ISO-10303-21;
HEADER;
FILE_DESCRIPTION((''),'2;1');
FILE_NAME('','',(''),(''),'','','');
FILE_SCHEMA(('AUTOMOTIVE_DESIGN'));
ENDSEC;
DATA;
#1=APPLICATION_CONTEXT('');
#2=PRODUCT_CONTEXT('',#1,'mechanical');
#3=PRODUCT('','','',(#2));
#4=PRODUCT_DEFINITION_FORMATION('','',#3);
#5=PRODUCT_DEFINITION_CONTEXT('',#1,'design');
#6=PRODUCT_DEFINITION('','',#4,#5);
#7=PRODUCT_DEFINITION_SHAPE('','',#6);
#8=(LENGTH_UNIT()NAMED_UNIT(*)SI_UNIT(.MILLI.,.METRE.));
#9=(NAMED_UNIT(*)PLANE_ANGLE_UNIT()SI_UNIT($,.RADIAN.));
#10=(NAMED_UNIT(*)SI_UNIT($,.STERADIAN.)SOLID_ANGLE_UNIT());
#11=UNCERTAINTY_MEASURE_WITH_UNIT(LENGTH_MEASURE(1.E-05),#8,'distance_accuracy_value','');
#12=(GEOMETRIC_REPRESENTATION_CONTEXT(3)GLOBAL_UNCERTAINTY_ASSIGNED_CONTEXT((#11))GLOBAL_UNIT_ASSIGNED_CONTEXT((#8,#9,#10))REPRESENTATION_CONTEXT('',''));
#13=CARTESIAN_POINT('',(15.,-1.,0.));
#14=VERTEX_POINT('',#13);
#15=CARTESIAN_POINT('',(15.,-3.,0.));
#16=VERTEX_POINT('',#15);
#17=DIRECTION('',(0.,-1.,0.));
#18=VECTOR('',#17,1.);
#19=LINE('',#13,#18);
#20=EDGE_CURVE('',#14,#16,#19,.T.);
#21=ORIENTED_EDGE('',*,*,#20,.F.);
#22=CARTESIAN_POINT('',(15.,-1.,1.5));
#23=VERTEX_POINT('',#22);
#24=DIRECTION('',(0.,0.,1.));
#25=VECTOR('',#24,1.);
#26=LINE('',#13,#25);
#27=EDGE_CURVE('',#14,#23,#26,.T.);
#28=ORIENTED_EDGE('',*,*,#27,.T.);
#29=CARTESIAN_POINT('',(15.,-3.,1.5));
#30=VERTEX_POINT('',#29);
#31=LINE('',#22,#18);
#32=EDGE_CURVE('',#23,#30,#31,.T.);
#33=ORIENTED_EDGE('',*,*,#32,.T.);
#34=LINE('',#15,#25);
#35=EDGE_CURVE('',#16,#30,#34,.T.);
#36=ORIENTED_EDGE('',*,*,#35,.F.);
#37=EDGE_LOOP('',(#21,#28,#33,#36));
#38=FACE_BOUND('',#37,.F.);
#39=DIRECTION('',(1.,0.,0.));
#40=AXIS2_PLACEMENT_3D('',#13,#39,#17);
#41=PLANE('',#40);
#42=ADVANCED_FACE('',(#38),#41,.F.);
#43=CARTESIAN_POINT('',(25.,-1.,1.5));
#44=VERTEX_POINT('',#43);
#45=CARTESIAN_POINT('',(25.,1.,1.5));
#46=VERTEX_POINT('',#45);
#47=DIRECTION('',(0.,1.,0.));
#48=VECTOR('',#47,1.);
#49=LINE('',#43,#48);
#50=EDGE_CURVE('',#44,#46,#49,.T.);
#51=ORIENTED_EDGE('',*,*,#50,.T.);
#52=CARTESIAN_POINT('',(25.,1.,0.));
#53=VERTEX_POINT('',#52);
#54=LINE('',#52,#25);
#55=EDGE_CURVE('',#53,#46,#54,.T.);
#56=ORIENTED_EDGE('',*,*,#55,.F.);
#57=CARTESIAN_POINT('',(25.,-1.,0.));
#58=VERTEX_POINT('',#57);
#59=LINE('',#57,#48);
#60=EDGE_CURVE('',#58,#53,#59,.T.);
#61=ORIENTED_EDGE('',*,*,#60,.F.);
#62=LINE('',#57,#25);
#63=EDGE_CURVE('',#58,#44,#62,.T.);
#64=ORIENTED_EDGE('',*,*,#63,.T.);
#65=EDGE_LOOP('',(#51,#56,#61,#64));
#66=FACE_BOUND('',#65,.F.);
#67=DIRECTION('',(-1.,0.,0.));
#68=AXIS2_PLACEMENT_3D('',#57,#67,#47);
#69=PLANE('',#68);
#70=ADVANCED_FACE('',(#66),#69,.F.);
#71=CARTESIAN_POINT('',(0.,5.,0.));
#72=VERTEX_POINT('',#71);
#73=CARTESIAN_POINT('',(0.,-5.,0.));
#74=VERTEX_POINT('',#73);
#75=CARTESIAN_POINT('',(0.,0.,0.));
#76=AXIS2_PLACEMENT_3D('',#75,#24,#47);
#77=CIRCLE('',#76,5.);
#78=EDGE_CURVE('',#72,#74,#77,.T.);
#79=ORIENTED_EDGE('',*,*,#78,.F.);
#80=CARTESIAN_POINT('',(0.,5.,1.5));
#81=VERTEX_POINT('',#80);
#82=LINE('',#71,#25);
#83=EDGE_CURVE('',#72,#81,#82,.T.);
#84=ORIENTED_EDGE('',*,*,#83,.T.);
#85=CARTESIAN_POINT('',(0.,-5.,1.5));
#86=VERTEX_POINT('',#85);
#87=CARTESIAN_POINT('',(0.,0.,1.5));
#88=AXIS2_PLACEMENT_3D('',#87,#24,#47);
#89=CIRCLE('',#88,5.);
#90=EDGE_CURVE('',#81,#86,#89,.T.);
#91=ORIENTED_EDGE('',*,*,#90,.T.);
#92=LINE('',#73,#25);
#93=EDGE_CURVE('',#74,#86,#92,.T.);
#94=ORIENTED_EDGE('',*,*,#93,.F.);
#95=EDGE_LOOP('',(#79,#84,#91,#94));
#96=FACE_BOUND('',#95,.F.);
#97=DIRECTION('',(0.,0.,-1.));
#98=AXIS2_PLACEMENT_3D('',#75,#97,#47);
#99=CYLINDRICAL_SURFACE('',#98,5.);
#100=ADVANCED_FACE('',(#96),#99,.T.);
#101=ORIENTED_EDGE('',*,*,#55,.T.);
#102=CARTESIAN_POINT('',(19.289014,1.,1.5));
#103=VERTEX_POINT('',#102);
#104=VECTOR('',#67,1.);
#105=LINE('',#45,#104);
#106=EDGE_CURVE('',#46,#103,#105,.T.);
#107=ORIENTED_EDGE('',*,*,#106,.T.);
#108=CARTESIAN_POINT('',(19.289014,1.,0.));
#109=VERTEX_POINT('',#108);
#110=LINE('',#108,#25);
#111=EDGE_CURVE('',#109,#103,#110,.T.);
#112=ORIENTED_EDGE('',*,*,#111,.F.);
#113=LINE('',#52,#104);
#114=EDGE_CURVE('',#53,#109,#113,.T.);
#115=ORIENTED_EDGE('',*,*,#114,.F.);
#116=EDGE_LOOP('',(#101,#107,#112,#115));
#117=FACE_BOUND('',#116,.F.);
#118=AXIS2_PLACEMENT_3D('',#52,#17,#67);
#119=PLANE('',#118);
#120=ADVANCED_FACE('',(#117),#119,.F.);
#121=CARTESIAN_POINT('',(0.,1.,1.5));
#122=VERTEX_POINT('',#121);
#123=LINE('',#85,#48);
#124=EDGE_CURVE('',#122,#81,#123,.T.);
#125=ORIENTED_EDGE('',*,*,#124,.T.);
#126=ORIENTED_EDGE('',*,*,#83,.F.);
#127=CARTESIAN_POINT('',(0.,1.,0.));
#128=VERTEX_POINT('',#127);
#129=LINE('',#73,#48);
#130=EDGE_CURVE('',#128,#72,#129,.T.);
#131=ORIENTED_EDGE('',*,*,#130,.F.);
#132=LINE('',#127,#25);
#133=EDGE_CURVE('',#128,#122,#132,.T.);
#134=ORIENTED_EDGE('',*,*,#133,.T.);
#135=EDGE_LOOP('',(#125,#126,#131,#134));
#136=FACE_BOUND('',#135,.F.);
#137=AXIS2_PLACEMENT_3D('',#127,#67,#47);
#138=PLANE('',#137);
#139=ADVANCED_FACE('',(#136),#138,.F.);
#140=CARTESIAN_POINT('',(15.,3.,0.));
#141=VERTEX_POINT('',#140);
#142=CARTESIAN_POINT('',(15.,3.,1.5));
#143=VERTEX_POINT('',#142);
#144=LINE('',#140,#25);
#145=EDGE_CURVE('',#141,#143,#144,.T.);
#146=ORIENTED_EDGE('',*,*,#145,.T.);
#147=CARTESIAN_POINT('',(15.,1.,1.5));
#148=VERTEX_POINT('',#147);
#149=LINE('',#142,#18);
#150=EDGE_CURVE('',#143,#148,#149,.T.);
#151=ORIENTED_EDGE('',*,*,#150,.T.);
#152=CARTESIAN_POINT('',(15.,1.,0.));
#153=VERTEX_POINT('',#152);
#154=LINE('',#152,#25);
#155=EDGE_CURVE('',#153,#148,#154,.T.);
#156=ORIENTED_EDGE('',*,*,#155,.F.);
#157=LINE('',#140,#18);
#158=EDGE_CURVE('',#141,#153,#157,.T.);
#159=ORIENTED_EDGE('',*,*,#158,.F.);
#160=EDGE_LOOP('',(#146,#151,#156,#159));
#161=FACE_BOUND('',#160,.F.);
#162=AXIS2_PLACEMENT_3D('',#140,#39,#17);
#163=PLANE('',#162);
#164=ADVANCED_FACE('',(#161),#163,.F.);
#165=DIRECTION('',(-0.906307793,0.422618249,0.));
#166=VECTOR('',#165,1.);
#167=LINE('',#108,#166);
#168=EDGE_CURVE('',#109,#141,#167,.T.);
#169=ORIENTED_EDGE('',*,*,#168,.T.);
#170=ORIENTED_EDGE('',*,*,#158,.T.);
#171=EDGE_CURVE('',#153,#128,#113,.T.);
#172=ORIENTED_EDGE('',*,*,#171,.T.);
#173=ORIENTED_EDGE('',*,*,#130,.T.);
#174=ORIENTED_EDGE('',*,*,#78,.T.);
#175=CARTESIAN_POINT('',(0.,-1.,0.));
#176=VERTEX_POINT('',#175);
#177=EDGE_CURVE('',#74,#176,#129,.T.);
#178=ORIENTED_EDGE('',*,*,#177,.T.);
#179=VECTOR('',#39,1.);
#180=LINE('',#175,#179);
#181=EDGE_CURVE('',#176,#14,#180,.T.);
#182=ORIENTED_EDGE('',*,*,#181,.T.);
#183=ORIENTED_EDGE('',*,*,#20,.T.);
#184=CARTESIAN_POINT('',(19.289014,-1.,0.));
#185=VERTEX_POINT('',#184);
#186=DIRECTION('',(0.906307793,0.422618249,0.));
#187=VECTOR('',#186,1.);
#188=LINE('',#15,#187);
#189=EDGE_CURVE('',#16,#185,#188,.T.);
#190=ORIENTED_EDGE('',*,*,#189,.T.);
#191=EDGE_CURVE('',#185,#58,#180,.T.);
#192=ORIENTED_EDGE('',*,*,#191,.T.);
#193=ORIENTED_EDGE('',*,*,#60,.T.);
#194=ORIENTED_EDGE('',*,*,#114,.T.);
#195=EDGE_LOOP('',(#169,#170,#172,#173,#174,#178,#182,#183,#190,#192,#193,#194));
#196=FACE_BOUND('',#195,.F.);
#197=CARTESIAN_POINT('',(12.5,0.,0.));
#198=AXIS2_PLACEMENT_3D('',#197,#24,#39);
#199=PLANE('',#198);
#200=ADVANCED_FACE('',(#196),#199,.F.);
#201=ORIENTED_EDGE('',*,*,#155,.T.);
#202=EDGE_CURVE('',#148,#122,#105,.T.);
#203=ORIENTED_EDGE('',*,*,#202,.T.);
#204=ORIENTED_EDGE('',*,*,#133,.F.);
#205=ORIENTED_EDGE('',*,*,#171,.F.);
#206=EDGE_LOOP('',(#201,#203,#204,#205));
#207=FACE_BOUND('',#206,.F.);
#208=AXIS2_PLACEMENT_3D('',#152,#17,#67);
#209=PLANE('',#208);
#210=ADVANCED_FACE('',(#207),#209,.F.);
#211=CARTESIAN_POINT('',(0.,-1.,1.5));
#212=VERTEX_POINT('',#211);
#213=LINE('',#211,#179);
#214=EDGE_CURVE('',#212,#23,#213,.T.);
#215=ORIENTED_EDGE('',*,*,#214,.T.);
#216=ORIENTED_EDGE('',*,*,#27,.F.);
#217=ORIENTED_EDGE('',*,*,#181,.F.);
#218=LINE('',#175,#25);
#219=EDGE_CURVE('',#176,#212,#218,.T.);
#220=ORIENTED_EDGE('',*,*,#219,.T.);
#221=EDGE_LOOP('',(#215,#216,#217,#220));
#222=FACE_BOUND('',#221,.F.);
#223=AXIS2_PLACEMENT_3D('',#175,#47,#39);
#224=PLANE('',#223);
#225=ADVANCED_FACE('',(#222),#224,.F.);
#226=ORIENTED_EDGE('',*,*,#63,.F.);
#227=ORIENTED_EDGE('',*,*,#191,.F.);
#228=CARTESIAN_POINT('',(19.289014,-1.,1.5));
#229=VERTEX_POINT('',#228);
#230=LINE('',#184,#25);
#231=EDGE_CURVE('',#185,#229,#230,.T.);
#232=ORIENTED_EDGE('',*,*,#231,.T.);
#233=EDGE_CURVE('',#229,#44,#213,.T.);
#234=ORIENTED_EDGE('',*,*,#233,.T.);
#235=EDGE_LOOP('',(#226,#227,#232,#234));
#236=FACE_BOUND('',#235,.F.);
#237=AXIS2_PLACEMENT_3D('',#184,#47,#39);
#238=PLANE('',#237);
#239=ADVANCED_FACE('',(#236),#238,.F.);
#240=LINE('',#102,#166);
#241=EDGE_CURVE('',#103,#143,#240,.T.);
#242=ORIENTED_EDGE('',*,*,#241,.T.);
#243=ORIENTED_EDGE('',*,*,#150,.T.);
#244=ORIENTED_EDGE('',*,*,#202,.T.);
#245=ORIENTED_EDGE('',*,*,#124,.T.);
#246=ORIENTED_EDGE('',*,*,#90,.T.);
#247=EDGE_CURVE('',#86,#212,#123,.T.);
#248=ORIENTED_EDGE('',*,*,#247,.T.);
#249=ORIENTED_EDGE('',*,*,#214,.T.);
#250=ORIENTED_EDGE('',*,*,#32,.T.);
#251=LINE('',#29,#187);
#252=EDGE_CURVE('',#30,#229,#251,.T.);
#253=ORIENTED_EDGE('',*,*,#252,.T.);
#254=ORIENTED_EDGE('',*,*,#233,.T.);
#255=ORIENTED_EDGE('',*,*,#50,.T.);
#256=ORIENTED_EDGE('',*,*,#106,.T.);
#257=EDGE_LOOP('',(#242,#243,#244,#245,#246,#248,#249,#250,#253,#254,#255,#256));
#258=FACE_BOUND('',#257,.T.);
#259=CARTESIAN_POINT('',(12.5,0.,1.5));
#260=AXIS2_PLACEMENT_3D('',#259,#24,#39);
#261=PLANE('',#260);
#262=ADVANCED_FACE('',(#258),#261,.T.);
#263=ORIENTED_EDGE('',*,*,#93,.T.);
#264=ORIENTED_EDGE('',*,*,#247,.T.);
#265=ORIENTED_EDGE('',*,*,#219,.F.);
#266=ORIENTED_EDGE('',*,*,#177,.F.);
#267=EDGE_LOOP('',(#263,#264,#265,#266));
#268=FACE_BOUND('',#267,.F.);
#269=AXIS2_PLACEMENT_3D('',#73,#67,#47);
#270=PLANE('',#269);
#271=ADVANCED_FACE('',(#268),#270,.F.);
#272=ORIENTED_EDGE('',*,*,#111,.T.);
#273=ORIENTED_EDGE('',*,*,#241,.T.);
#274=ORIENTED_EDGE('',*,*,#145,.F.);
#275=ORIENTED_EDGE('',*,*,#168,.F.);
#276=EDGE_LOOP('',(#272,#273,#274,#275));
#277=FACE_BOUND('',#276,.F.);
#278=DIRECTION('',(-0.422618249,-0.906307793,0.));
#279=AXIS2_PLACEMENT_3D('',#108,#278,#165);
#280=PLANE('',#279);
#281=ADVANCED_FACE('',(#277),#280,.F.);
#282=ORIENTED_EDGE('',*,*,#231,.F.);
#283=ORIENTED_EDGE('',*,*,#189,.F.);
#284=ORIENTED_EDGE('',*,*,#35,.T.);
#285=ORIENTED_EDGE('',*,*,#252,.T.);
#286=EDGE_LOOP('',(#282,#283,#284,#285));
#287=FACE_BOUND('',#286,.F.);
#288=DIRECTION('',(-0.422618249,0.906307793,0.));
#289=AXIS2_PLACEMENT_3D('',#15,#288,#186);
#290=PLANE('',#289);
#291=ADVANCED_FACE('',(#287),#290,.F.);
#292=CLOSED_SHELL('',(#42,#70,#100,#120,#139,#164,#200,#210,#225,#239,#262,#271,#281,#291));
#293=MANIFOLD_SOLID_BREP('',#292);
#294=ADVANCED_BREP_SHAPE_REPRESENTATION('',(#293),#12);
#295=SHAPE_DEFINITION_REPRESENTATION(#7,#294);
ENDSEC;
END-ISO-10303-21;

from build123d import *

# Parameters (mm, degrees)
F1_DEPTH = 1.5


with BuildPart() as f1:
    # F0 (on Top) → F1 (new body)
    with BuildSketch(Plane.XY):
        Polygon((15, 1), (0, 1), (0, -1), (15, -1), (19.289014, -1), (25, -1), (25, 1), (19.289014, 1), align=None)
        with BuildLine():
            Line((0, -1), (0, 1))
            Line((0, 1), (0, 5))
            ThreePointArc((0, 5), (-5, 0), (0, -5))
            Line((0, -5), (0, -1))
        make_face()
        Polygon((15, 3), (15, 1), (19.289014, 1), align=None)
        Polygon((19.289014, -1), (15, -1), (15, -3), align=None)
    extrude(amount=F1_DEPTH)


solid = f1.part
